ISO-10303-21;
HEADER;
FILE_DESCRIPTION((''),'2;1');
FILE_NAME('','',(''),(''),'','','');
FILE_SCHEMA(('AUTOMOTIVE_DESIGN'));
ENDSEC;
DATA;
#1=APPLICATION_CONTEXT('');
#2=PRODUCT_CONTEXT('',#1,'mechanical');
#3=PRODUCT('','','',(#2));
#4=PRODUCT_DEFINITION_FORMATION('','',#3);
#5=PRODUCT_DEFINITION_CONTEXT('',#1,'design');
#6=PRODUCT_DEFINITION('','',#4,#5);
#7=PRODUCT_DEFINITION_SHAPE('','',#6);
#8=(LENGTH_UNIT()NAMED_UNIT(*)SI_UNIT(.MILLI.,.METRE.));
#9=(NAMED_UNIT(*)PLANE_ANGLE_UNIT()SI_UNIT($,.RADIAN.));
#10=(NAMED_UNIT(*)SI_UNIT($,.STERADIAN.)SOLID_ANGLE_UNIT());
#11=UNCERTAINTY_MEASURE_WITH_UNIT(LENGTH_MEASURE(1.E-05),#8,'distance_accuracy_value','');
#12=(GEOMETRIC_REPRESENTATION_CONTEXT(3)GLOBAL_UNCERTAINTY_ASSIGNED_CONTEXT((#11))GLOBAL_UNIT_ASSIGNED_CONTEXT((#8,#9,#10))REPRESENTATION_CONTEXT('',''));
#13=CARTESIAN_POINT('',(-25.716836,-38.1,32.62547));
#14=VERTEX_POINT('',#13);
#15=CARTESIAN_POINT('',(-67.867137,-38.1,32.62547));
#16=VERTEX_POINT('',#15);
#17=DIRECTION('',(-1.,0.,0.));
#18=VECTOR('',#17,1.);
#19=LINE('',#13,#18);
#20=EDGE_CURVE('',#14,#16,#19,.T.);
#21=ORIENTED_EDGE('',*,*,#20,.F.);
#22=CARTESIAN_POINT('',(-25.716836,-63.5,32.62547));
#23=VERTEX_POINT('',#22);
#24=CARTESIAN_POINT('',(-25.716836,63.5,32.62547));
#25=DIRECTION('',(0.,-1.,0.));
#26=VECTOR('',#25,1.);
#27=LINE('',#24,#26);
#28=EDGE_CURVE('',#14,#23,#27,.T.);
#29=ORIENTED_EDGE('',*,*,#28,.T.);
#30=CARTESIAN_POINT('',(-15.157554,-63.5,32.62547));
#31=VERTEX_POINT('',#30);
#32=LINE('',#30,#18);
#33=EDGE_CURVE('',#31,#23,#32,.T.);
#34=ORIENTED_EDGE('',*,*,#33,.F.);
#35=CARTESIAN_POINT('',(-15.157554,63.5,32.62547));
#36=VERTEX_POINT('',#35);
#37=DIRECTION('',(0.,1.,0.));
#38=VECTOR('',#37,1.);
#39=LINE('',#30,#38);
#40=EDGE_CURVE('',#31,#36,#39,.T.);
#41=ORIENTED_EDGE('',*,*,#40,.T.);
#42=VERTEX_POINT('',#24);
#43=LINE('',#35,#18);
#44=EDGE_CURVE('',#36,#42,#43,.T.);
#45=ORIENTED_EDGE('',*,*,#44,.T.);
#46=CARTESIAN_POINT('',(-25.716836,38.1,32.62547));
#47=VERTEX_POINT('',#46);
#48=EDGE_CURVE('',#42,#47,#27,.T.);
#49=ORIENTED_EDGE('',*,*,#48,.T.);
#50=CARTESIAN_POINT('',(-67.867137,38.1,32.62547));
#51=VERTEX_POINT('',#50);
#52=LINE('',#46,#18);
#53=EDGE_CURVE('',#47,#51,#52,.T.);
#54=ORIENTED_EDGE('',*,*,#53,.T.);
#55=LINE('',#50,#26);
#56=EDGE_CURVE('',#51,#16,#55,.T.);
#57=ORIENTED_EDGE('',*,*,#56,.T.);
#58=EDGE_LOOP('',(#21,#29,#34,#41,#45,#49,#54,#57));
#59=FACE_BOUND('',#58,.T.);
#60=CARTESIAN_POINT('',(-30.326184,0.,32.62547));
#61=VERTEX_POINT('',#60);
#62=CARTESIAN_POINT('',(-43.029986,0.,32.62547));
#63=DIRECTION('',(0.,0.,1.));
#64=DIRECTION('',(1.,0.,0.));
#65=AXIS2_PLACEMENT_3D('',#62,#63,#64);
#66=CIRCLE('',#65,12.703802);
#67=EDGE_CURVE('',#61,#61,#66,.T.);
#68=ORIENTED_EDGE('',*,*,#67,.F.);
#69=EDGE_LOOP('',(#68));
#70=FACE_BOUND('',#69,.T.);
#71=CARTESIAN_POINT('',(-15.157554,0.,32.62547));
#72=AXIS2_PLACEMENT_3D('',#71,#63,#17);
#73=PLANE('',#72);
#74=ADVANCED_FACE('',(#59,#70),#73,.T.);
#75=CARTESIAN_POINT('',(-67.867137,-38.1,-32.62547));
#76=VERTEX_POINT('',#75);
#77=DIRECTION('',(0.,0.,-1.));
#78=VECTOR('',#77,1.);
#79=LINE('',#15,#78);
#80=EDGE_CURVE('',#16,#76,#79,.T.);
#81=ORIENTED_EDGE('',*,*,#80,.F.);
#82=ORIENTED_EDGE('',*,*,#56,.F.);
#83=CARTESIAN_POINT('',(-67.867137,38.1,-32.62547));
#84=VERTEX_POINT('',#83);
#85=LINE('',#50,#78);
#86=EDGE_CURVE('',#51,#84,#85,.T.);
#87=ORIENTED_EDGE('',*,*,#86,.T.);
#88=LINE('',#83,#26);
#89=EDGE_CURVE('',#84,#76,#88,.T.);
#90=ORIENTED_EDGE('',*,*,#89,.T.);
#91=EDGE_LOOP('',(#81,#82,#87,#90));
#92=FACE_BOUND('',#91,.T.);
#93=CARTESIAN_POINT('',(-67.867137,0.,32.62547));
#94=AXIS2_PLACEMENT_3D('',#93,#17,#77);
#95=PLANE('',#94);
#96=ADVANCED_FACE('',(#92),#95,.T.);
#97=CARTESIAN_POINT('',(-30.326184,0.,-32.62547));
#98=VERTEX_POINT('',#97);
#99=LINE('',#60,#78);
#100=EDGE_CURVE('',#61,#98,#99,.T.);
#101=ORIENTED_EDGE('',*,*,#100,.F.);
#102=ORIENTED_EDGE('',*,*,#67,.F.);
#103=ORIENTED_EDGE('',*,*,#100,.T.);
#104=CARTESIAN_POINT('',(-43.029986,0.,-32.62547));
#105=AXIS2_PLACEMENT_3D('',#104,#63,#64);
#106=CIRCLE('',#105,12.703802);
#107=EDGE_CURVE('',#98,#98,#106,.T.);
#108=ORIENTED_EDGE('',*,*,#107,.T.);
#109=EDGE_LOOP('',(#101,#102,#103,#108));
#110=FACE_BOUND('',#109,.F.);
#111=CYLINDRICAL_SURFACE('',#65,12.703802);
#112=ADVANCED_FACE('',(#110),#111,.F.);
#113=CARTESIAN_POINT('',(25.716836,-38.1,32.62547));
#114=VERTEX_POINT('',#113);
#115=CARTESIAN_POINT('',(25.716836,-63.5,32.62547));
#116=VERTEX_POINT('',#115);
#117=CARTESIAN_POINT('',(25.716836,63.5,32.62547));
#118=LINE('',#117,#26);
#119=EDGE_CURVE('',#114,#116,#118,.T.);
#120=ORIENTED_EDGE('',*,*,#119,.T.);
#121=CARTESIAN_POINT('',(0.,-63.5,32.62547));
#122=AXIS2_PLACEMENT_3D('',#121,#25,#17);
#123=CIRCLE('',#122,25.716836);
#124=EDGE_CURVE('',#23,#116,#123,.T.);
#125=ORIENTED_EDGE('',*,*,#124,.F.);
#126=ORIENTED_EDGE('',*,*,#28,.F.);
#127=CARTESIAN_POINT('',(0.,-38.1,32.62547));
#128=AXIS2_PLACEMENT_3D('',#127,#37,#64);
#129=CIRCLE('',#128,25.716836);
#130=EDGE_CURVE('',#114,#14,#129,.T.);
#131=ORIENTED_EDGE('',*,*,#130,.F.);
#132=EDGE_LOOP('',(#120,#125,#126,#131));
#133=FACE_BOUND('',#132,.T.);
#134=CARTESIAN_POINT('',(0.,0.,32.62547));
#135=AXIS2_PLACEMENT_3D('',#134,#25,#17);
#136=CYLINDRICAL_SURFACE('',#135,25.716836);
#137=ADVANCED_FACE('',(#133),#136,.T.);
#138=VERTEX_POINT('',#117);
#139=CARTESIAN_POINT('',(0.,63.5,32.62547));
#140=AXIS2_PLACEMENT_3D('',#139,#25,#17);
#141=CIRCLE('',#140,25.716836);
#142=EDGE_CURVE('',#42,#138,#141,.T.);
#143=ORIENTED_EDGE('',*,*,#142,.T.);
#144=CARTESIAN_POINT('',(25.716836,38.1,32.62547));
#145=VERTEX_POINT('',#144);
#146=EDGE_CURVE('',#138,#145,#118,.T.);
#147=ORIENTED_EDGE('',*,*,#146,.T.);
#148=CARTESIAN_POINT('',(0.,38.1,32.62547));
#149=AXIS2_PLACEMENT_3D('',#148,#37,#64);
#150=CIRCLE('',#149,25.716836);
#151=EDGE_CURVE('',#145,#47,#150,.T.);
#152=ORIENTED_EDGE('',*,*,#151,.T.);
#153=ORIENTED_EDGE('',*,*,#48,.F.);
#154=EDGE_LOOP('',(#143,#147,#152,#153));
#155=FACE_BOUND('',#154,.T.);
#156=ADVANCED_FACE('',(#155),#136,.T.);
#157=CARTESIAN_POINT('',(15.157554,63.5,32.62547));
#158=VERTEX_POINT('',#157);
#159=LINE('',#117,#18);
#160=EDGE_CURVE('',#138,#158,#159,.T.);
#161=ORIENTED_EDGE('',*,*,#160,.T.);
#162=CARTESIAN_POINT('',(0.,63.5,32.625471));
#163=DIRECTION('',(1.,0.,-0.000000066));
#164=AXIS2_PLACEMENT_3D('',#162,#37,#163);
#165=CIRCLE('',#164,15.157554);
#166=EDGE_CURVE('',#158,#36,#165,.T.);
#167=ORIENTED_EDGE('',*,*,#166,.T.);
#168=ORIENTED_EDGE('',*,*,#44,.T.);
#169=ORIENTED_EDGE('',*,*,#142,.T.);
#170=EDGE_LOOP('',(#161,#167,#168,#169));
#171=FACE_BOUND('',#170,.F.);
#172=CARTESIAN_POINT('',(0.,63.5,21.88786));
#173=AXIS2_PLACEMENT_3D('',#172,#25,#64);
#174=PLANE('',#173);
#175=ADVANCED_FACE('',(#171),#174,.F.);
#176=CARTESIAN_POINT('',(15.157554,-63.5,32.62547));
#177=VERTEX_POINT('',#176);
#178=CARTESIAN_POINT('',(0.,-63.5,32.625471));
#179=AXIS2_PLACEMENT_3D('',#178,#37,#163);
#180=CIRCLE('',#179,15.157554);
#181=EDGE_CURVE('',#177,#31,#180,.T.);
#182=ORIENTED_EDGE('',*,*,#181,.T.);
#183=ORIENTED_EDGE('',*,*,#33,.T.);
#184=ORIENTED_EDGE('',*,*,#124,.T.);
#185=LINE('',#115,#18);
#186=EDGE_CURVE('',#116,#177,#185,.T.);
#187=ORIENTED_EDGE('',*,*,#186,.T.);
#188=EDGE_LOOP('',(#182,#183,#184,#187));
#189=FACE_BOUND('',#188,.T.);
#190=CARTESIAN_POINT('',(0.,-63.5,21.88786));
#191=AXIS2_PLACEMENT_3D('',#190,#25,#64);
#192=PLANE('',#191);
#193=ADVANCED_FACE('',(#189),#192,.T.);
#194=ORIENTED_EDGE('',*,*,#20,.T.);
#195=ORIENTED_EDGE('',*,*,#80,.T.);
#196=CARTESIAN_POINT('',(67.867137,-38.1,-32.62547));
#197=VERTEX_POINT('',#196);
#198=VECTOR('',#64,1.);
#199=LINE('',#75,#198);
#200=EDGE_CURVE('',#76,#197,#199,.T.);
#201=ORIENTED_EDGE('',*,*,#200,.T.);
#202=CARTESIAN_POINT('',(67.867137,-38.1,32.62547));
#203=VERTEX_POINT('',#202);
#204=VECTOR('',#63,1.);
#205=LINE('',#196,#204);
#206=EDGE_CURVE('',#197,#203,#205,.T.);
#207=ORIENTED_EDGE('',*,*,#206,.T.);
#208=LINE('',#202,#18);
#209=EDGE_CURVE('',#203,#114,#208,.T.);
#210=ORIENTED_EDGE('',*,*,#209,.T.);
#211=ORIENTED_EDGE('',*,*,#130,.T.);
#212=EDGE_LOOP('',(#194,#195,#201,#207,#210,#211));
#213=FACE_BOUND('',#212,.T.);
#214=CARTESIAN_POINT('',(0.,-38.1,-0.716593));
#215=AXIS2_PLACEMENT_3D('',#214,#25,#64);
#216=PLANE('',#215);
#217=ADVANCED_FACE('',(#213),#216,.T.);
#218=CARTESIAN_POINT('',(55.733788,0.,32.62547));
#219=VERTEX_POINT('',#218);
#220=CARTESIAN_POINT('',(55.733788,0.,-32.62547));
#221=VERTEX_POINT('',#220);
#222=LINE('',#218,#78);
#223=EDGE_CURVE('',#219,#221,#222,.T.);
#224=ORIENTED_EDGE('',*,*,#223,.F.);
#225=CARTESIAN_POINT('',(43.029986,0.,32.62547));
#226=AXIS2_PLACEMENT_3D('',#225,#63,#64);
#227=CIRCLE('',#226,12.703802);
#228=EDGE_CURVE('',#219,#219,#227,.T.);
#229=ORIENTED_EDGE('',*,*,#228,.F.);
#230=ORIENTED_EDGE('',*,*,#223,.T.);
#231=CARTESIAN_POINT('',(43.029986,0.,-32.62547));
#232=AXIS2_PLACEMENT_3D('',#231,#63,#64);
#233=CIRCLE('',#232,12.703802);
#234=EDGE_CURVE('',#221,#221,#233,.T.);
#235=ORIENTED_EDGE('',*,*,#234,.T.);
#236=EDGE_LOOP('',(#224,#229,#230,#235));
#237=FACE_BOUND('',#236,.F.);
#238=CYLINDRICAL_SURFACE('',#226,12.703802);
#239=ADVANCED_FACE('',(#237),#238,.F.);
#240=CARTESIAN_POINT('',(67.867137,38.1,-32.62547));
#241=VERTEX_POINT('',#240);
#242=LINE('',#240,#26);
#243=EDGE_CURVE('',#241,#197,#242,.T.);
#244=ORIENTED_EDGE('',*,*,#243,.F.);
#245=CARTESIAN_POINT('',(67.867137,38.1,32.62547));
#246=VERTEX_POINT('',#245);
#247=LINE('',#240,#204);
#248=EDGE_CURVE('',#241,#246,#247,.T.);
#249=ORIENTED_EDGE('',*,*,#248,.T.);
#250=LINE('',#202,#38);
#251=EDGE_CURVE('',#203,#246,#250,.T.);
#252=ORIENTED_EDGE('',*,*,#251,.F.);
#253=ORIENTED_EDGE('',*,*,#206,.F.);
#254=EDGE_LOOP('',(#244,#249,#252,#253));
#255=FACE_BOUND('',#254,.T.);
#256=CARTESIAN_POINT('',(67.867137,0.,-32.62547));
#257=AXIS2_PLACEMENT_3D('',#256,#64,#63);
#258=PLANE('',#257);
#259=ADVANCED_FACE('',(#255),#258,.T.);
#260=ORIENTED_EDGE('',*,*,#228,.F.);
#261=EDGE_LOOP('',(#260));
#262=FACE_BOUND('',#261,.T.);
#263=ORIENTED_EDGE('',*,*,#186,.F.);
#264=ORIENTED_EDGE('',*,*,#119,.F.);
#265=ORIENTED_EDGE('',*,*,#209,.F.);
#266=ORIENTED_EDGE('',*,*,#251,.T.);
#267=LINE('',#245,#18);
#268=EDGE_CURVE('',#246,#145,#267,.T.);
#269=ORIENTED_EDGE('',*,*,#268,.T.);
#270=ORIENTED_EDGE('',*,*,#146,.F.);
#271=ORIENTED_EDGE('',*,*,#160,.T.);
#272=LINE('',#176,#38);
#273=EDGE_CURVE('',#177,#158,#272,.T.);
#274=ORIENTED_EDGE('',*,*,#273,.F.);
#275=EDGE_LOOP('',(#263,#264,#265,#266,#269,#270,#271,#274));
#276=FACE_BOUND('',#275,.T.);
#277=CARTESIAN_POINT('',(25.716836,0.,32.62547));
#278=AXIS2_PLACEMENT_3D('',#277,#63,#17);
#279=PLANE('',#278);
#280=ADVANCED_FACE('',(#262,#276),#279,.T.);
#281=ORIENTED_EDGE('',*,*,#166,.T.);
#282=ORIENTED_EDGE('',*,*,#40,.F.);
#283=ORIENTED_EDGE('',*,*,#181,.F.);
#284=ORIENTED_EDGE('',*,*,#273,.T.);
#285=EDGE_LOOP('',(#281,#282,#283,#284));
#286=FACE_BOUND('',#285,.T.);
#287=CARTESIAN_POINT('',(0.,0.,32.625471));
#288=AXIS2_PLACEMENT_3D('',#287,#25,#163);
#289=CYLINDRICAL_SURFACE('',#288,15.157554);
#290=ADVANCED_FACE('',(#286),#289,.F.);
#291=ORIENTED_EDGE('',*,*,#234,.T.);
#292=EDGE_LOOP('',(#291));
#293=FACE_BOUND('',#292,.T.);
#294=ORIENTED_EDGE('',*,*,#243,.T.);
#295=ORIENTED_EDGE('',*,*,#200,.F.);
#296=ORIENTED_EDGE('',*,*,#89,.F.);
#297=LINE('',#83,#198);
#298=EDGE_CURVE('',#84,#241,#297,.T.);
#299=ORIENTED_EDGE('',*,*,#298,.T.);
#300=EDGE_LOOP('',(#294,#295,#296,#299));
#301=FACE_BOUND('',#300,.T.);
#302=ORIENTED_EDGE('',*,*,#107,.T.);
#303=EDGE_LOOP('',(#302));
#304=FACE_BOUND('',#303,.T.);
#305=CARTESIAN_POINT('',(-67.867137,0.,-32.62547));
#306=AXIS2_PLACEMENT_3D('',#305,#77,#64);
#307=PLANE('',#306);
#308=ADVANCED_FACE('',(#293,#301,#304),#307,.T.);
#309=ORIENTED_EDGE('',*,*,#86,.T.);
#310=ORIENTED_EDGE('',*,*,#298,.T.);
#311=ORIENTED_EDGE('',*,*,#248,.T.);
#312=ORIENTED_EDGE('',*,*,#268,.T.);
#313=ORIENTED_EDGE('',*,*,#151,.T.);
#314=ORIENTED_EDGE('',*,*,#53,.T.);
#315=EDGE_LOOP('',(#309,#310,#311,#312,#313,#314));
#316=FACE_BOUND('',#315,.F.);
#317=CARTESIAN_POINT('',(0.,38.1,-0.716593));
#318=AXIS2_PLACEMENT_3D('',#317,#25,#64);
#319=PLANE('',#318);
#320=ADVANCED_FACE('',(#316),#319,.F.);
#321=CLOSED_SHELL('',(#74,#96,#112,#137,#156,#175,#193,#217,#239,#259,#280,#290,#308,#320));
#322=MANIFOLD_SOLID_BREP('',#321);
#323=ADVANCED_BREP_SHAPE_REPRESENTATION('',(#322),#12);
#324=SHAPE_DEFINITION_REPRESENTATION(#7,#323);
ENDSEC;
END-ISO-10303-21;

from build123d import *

# Parameters (mm, degrees)
F1_DEPTH = 38.1
F2_DEPTH = 63.5
F3_R     = 12.703802
F4_DEPTH = 65.251941


with BuildPart() as f1:
    # F0 (on Front) → F1 (new body, symmetric)
    with BuildSketch(Plane.XZ):
        with BuildLine():
            Line((-25.716836, 32.62547), (-67.867137, 32.62547))
            Line((-67.867137, 32.62547), (-67.867137, -32.62547))
            Line((-67.867137, -32.62547), (67.867137, -32.62547))
            Line((67.867137, -32.62547), (67.867137, 32.62547))
            Line((67.867137, 32.62547), (25.716836, 32.62547))
            ThreePointArc((25.716836, 32.62547), (0, 6.908634), (-25.716836, 32.62547))
        make_face()
    extrude(amount=F1_DEPTH, both=True)

    # F0 (on Front) → F2 (join, symmetric)
    with BuildSketch(Plane.XZ):
        with BuildLine():
            Line((-15.157554, 32.62547), (-25.716836, 32.62547))
            ThreePointArc((-25.716836, 32.62547), (0, 6.908634), (25.716836, 32.62547))
            Line((25.716836, 32.62547), (15.157554, 32.62547))
            ThreePointArc((15.157554, 32.62547), (0, 17.467917), (-15.157554, 32.62547))
        make_face()
    extrude(amount=F2_DEPTH, both=True)

    # F3 (on face) → F4 (cut, through all)
    with BuildSketch(Plane.XY.offset(32.62547)):
        with Locations((-43.029986, 0)):
            Circle(F3_R)
        with Locations((43.029986, 0)):
            Circle(F3_R)
    extrude(amount=-F4_DEPTH, mode=Mode.SUBTRACT)


solid = f1.part
